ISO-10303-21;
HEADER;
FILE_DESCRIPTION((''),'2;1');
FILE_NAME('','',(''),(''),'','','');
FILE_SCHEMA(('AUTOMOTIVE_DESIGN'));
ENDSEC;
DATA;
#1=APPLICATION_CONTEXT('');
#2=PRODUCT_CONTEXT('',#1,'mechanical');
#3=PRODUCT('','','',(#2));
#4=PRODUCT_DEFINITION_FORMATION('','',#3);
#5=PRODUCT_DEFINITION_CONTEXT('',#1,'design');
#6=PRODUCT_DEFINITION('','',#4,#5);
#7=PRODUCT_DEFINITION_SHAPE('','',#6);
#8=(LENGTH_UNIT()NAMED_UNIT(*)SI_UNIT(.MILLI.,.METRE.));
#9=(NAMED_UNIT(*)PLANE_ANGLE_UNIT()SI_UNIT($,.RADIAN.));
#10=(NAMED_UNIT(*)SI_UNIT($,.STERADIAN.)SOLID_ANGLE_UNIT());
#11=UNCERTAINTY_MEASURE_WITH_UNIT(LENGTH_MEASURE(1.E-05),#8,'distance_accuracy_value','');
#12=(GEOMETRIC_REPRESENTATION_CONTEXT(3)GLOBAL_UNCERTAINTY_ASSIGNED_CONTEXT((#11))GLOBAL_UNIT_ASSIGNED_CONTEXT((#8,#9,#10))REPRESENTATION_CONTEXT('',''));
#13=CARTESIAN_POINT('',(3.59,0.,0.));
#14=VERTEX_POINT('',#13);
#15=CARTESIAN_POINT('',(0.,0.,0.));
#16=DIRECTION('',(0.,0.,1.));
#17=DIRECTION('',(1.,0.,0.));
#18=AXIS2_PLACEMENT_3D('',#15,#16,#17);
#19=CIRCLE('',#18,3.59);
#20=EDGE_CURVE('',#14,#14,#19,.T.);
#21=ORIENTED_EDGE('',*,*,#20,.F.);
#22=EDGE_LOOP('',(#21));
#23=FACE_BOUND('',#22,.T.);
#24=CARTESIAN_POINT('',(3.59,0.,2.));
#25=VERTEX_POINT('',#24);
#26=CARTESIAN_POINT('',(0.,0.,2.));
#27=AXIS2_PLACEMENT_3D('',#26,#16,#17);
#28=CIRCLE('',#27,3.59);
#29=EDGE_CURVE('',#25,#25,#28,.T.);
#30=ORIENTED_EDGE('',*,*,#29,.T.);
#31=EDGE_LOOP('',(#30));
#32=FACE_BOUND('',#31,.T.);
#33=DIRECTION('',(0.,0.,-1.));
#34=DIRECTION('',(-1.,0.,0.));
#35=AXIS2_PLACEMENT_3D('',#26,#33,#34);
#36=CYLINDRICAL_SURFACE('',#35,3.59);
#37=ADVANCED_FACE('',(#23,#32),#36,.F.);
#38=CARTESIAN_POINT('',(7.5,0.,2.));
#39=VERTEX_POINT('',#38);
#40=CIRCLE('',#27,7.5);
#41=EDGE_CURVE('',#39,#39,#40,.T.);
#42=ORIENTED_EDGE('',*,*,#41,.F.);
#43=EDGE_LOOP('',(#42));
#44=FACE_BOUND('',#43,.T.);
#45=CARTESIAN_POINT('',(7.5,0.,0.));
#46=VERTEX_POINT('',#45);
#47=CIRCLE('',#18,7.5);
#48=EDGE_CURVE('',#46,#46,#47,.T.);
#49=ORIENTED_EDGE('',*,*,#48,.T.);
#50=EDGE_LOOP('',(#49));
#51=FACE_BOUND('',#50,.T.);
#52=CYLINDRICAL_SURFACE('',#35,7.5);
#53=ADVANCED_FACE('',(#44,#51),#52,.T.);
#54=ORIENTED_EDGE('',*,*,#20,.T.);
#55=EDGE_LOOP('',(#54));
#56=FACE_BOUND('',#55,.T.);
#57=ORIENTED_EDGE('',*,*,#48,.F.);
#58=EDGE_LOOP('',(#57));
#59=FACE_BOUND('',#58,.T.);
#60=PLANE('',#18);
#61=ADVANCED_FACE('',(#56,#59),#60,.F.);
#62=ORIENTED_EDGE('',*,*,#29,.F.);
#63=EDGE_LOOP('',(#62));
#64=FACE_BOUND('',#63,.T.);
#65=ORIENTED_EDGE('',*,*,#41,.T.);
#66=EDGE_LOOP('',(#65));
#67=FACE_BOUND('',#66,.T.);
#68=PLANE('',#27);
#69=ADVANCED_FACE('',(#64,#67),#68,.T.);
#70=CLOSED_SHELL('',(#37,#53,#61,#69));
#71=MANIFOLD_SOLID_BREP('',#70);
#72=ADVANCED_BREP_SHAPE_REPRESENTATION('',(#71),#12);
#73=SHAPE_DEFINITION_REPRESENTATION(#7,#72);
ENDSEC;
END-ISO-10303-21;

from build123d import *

# Parameters (mm, degrees)
ESQUISSE1_R        = 7.5
ESQUISSE1_R_2      = 3.59
BOSS_EXTRU_1_DEPTH = 2


with BuildPart() as part:
    # Esquisse1 → Boss.-Extru.1 (new body)
    with BuildSketch(Plane.XY):
        Circle(ESQUISSE1_R)
        Circle(ESQUISSE1_R_2, mode=Mode.SUBTRACT)
    extrude(amount=BOSS_EXTRU_1_DEPTH)


solid = part.part
